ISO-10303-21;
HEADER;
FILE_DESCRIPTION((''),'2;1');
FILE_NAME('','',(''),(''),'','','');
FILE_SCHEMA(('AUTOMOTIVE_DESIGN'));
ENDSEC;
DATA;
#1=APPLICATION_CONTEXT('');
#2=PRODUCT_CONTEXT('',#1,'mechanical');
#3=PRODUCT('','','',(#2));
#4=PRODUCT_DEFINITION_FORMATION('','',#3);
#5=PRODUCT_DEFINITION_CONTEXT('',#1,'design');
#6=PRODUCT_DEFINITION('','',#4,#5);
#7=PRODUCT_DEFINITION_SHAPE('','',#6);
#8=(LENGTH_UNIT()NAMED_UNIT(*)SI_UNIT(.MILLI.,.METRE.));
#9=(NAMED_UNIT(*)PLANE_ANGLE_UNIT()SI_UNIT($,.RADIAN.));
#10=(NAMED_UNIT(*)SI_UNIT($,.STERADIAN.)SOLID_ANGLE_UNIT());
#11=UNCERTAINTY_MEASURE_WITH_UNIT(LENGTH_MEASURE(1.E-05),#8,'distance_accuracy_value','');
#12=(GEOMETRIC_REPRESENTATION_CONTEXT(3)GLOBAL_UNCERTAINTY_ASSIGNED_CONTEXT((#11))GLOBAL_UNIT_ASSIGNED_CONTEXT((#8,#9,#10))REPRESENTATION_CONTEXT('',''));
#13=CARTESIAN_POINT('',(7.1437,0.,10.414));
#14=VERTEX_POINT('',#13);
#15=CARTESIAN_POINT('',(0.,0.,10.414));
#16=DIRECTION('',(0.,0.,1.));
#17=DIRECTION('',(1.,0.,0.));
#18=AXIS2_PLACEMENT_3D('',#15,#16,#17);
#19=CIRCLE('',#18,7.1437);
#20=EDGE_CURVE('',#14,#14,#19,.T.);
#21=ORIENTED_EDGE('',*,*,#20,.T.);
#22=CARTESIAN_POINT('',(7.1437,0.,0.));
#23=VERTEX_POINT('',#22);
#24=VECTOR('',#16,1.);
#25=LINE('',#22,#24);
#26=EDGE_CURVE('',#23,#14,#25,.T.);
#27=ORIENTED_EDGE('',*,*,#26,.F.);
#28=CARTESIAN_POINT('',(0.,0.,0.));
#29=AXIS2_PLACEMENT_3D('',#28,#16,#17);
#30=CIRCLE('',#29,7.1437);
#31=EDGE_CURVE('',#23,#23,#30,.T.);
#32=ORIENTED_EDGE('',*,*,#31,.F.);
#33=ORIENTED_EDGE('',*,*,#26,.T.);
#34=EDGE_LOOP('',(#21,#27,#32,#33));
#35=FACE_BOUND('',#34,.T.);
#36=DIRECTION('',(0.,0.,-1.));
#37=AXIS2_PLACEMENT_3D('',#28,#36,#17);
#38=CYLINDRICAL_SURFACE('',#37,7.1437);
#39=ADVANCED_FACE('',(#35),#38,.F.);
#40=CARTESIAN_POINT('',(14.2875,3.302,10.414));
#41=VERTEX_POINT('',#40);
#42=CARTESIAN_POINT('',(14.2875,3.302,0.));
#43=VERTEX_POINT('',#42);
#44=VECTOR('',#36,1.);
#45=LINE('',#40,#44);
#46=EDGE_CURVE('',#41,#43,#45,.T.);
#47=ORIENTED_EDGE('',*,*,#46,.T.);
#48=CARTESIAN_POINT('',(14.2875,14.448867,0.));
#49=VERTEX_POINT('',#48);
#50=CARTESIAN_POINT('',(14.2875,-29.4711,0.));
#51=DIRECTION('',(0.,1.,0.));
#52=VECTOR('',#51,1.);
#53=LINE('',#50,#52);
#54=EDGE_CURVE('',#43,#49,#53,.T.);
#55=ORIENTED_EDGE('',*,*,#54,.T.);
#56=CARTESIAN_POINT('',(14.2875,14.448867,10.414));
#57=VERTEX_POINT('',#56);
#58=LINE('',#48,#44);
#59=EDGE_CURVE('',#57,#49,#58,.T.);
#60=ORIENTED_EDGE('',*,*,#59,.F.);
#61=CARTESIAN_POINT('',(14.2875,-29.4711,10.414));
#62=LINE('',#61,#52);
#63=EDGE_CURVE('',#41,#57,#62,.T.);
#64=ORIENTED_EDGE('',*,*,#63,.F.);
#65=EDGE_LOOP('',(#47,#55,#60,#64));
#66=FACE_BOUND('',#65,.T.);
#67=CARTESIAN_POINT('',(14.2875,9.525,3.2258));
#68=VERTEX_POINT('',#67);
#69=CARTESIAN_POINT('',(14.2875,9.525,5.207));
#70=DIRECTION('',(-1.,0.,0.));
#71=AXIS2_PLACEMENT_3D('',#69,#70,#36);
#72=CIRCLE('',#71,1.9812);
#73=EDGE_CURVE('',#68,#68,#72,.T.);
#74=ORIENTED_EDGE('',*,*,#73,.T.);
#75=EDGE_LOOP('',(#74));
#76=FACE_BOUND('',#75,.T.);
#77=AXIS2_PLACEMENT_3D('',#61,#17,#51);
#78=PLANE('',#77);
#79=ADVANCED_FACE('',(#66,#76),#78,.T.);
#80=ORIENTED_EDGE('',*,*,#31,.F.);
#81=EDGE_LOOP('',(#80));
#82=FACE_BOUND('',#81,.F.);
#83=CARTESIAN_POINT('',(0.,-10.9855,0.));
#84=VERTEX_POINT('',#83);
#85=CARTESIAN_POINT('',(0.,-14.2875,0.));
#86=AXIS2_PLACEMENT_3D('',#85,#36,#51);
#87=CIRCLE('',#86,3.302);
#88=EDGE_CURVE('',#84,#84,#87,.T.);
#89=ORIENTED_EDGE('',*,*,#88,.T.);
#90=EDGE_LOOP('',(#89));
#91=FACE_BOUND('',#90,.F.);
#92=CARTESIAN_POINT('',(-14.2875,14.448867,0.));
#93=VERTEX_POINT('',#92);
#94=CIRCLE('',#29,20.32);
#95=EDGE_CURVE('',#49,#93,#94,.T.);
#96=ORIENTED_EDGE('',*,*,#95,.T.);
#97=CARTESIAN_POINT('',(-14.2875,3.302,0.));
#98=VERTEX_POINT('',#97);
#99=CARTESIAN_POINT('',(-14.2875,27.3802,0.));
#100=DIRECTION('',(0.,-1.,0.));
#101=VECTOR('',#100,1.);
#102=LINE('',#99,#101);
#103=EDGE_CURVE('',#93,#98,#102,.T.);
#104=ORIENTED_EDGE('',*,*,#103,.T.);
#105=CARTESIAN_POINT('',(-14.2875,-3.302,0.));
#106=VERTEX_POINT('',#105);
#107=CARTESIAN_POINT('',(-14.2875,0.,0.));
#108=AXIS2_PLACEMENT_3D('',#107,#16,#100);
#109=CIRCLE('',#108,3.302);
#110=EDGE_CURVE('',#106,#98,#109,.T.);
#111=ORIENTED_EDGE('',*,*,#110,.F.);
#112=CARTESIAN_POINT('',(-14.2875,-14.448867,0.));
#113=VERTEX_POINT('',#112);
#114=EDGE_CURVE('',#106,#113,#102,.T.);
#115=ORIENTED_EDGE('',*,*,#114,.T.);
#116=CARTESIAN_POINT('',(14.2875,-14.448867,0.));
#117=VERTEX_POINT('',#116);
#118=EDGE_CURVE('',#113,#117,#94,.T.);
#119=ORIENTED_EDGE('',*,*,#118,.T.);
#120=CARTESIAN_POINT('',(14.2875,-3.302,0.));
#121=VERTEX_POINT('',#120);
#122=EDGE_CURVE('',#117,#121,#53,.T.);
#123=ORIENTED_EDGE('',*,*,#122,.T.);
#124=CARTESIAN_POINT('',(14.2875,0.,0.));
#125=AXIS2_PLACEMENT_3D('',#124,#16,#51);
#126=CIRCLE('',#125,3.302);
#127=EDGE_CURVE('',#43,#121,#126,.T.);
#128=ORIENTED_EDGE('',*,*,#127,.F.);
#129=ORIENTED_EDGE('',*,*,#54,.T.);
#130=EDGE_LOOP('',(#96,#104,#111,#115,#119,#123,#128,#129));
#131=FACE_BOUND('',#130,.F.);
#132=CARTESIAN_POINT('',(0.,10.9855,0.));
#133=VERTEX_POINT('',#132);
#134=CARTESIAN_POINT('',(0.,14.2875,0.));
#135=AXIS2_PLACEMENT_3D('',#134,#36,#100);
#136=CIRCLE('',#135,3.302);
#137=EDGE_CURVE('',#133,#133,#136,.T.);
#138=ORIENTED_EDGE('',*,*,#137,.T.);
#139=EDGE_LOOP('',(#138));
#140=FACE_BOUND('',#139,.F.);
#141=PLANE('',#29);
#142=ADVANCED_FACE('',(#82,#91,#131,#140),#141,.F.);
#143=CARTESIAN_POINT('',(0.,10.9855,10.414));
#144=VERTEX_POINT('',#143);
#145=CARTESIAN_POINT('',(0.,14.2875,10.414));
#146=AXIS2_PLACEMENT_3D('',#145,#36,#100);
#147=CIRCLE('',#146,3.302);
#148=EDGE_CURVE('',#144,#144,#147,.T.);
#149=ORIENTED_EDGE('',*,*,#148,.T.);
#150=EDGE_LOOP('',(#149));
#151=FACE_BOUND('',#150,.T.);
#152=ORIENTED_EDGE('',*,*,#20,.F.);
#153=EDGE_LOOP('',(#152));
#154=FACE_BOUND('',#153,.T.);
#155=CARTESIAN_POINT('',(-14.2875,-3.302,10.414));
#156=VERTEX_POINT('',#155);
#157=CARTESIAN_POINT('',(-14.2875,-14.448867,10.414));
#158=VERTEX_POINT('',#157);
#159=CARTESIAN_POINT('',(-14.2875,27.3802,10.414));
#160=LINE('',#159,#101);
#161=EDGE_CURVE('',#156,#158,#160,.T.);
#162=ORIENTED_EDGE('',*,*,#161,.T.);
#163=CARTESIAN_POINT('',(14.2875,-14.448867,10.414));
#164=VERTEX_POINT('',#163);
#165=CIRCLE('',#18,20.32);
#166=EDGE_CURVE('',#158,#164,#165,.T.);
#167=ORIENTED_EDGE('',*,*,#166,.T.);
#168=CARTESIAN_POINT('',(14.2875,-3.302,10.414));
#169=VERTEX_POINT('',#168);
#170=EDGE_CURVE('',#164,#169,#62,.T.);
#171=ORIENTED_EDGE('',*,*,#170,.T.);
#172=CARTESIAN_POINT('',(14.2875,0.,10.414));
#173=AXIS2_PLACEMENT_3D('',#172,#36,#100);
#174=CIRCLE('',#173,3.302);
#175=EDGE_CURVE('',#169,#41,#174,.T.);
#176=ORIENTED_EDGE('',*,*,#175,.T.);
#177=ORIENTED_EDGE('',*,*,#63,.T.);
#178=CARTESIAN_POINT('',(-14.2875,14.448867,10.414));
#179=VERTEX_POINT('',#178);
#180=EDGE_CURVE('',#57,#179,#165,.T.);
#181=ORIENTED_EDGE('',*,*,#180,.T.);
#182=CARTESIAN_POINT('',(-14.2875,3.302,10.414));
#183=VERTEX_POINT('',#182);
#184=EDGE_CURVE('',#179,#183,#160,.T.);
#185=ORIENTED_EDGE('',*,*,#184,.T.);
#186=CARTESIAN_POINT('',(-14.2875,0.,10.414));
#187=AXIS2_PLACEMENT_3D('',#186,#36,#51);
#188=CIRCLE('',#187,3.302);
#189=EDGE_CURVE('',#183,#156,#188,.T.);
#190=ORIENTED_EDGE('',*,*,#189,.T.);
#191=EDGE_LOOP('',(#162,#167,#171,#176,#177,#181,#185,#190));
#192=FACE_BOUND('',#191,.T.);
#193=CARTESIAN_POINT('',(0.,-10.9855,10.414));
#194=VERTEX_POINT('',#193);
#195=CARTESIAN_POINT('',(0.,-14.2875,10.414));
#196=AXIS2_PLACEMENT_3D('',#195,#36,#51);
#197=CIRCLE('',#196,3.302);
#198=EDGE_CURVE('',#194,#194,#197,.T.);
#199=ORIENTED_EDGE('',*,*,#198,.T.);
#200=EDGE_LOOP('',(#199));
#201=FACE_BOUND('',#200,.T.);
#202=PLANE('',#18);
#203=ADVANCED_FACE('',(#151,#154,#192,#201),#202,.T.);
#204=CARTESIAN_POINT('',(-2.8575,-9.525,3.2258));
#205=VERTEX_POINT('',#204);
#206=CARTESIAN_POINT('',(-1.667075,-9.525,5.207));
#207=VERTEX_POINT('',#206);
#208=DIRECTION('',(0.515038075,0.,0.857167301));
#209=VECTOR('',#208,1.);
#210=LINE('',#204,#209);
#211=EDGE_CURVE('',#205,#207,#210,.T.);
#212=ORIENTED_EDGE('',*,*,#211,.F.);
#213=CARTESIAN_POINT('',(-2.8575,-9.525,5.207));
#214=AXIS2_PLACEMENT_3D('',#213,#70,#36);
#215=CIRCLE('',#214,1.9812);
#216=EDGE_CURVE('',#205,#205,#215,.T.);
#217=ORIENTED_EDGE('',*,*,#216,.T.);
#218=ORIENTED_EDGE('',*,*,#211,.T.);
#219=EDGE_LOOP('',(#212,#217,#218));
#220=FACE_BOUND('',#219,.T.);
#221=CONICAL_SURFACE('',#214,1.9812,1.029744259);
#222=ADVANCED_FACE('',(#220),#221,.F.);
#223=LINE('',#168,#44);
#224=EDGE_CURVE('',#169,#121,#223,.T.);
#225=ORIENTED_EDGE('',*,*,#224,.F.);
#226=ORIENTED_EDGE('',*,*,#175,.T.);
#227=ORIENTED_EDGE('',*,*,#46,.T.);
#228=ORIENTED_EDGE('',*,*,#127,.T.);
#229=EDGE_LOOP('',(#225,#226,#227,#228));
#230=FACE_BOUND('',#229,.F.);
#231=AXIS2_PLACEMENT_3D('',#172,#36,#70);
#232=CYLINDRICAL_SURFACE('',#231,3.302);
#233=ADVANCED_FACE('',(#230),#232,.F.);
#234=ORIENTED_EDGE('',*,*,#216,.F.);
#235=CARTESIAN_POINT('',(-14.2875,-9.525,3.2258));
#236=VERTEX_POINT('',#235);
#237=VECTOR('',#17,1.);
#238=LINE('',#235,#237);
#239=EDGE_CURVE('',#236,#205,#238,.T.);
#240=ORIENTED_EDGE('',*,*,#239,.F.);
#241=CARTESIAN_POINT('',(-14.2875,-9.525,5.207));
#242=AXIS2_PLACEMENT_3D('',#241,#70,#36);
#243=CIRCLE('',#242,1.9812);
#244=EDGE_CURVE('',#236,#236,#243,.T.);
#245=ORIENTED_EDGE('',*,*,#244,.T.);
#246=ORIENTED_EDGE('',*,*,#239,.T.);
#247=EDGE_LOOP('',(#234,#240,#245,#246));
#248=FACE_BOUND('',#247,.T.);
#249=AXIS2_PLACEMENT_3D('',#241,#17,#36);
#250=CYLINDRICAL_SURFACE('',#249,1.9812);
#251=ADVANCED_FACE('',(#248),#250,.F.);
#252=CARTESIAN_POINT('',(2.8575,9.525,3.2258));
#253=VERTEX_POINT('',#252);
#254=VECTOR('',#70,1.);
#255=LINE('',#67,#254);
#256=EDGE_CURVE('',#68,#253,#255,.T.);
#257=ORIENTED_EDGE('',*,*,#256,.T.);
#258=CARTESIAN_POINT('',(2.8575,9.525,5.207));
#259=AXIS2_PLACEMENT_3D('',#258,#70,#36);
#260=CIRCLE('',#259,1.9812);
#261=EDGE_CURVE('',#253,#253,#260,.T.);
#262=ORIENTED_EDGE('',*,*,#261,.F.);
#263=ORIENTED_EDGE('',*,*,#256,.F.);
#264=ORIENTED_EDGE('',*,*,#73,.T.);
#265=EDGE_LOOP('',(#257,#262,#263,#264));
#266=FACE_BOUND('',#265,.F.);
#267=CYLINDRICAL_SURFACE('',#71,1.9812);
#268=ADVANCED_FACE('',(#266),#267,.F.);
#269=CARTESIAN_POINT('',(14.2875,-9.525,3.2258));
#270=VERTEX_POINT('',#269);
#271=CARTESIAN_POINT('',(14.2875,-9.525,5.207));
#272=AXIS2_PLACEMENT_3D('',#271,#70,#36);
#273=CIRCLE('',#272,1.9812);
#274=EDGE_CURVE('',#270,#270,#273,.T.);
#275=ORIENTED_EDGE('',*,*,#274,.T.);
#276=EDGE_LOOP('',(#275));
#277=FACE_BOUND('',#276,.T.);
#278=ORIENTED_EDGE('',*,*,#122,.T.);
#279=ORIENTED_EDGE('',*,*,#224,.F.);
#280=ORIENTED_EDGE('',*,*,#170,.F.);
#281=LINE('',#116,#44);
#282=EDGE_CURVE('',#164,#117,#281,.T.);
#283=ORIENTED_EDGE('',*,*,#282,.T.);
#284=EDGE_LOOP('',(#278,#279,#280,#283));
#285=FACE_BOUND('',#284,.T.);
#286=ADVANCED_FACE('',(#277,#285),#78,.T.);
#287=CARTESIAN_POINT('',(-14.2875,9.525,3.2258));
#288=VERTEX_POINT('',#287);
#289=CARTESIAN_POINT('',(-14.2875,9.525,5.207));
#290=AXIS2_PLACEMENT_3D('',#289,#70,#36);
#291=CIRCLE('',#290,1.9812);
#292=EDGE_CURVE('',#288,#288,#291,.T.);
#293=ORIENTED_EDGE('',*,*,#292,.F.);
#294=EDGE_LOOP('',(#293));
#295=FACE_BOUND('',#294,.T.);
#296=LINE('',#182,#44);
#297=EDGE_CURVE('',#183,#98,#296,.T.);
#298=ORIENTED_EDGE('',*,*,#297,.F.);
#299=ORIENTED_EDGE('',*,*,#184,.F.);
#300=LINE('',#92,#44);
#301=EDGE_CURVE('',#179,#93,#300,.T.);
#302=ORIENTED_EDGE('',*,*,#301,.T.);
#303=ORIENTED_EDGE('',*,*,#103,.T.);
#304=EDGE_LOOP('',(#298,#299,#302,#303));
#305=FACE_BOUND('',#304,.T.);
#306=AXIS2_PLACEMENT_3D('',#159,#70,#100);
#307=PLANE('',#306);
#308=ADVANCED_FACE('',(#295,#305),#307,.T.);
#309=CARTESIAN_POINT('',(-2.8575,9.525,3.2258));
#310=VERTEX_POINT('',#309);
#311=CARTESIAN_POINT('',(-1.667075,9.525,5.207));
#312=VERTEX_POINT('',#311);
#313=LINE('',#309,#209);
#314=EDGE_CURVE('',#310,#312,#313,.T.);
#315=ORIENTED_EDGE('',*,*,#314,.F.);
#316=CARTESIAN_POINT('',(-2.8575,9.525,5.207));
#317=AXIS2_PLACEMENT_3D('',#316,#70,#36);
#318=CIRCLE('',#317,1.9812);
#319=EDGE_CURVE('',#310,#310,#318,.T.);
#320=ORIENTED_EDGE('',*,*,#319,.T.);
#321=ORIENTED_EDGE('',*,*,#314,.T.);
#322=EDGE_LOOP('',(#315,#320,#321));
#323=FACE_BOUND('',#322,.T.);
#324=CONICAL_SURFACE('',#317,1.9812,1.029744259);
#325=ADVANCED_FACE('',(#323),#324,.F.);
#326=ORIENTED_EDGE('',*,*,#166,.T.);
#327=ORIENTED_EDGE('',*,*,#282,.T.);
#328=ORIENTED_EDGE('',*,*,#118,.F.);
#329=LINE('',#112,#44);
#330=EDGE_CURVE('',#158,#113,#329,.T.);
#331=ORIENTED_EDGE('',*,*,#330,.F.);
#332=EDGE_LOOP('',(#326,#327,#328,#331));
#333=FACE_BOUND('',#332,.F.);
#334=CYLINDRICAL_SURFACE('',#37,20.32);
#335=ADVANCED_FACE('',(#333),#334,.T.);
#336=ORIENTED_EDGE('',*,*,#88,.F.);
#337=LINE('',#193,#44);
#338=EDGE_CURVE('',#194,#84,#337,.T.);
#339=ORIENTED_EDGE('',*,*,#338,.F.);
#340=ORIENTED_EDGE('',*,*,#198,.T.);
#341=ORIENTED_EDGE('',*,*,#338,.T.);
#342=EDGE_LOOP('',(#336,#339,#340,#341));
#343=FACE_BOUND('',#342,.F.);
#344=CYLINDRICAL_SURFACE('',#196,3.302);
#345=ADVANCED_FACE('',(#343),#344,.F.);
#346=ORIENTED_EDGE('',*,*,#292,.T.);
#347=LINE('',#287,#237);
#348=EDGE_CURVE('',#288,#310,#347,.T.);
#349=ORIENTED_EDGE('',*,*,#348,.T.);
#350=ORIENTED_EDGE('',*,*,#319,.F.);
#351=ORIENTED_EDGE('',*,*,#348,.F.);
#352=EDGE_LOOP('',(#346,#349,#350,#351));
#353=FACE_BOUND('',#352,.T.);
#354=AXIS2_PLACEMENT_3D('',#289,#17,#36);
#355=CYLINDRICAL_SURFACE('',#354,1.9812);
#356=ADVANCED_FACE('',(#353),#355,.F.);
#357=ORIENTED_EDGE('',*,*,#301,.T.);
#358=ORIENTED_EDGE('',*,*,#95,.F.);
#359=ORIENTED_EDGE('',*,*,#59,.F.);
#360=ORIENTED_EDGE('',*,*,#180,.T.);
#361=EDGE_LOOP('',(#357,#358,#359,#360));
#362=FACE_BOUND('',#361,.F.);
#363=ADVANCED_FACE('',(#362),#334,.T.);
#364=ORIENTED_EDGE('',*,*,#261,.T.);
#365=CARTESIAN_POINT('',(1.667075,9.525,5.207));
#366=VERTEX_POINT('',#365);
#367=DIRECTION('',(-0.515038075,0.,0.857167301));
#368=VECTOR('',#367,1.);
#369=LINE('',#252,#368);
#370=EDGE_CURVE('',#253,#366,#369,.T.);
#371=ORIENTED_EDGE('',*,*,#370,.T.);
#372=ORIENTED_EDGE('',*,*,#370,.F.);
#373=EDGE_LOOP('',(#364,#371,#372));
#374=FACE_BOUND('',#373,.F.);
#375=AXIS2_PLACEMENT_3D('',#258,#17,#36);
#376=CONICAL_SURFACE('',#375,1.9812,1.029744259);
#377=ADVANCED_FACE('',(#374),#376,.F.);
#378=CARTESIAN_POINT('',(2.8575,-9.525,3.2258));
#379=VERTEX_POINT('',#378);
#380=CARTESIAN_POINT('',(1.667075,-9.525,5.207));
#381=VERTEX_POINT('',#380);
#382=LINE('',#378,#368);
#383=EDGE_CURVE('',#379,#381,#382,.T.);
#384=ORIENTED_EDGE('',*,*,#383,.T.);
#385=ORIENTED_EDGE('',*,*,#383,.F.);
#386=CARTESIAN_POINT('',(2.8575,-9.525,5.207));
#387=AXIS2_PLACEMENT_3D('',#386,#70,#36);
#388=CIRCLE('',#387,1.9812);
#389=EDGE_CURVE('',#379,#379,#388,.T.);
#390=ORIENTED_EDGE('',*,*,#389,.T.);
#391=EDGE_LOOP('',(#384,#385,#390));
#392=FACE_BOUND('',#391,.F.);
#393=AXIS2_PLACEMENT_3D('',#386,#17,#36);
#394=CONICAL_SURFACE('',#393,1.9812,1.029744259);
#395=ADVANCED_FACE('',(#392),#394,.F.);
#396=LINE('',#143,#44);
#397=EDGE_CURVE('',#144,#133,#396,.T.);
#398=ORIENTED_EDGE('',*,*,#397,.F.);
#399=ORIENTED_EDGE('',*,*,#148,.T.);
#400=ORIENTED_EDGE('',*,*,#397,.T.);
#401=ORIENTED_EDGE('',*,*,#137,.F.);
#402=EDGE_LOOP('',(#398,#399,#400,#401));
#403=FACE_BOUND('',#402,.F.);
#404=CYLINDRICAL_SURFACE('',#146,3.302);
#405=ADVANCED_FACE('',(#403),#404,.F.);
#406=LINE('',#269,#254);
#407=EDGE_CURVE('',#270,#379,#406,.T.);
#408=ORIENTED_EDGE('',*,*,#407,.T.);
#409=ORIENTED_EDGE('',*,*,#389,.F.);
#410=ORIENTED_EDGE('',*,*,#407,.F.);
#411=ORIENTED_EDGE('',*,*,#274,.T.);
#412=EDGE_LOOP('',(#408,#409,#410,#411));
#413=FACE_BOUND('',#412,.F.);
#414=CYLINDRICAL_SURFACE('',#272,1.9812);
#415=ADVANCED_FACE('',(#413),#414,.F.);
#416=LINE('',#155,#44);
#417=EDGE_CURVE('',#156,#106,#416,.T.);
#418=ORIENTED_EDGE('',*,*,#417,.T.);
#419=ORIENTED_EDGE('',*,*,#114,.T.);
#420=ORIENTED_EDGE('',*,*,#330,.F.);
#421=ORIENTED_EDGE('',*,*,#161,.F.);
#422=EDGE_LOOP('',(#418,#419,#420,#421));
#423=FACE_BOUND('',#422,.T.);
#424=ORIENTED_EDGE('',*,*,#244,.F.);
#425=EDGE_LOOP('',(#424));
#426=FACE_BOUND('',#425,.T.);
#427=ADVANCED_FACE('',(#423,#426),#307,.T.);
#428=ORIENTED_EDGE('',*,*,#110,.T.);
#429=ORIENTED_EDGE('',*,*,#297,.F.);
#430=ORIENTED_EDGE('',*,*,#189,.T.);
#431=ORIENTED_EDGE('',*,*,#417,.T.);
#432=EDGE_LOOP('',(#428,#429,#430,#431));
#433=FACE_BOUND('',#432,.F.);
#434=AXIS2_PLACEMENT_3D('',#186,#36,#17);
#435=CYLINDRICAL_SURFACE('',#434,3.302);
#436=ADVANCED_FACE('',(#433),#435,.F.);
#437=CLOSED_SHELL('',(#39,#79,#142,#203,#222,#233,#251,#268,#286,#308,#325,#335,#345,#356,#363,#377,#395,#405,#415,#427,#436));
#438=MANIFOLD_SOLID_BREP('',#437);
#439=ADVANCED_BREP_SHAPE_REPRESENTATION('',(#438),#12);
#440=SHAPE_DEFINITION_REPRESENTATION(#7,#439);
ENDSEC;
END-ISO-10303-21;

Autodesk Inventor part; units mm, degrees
ref_plane "YZ Plane" through (0, 0, 0) normal (1, 0, 0) x (0, 1, 0)
ref_plane "XZ Plane" through (0, 0, 0) normal (0, 1, 0) x (-1, 0, 0)
ref_plane "XY Plane" through (0, 0, 0) normal (0, 0, 1) x (1, 0, 0)
sketch "Sketch1" plane through (0, 0, 0) normal (0, 0, 1) x (1, 0, 0)
  circle A0 centre (0, 0) radius 7.1437
  circle A1 centre (0, 0) radius 20.32
  dimension "d0" = 14.2875
  dimension "d1" = 40.64
extrude "Extrusion1" add sketch "Sketch1" along normal blind 10.414
thread "Thread1" size "9/16-18 UNF" class "2B" standard "ANSI Unified Screw Threads" full length
sketch "Sketch2" plane through (0, 0, 10.414) normal (0, 0, 1) x (1, 0, 0)
  point P0 (0, 0)
  point P1 (0, 14.2875)
  dimension "d6" = 14.2875
hole "Hole1" at (0, 14.2875, 10.414) direction (0, 0, -1) diameter 6.604 depth 12.2936 tip angle 118
pattern_circular "Circular Pattern1" count 4 over 360 about axis through (0, 0, 0) along (0, 0, 1) of "Hole1"
sketch "Sketch3" plane through (0, 0, 10.414) normal (0, 0, 1) x (1, 0, 0)
  line L0 (-14.2875, -29.4711) -> (14.2875, -29.4711)
  line L1 (14.2875, -29.4711) -> (14.2875, 27.3802)
  line L2 (14.2875, 27.3802) -> (-14.2875, 27.3802)
  line L3 (-14.2875, 27.3802) -> (-14.2875, -29.4711)
  line L4 (-49.0321, -62.4929) -> (63.3318, -62.4929)
  line L5 (63.3318, -62.4929) -> (63.3318, 57.2179)
  line L6 (63.3318, 57.2179) -> (-49.0321, 57.2179)
  line L7 (-49.0321, 57.2179) -> (-49.0321, -62.4929)
  point P0 (0, 0)
  dimension "d17" = 28.575
  dimension "d18" = 14.2875
extrude "Extrusion2" cut sketch "Sketch3" against normal blind 10.414
sketch "Sketch4" plane through (14.2875, 3.302, 10.414) normal (1, 0, 0) x (0, 0, -1)
  line L0 (0, -6.604) -> (10.414, -6.604) projected
  line L1 (10.414, 0) -> (10.414, -6.604) projected
  line L2 (10.414, 0) -> (0, 0) projected
  line L3 (0, -6.604) -> (0, 0) projected
  line L4 (0, -3.302) -> (10.414, -3.302)
  point P0 (5.207, 6.223)
  point P1 (5.207, -3.302)
  point P2 (5.207, -12.827)
  dimension "d21" = 9.525
  dimension "d22" = 9.525
hole "Hole2" at (14.2875, 9.525, 5.207) at (14.2875, -9.525, 5.207) direction (-1, 0, 0) diameter 3.9624 depth 11.43 tip angle 118 thread size "10-32 UNF" class "2B" standard "ANSI Unified Screw Threads"
mirror "Mirror1" about plane through (0, 0, 0) normal (1, 0, 0) of "Hole2"
equation "\"d18\" = 0.5 * d17"
equation "\"d22\" = d21"
